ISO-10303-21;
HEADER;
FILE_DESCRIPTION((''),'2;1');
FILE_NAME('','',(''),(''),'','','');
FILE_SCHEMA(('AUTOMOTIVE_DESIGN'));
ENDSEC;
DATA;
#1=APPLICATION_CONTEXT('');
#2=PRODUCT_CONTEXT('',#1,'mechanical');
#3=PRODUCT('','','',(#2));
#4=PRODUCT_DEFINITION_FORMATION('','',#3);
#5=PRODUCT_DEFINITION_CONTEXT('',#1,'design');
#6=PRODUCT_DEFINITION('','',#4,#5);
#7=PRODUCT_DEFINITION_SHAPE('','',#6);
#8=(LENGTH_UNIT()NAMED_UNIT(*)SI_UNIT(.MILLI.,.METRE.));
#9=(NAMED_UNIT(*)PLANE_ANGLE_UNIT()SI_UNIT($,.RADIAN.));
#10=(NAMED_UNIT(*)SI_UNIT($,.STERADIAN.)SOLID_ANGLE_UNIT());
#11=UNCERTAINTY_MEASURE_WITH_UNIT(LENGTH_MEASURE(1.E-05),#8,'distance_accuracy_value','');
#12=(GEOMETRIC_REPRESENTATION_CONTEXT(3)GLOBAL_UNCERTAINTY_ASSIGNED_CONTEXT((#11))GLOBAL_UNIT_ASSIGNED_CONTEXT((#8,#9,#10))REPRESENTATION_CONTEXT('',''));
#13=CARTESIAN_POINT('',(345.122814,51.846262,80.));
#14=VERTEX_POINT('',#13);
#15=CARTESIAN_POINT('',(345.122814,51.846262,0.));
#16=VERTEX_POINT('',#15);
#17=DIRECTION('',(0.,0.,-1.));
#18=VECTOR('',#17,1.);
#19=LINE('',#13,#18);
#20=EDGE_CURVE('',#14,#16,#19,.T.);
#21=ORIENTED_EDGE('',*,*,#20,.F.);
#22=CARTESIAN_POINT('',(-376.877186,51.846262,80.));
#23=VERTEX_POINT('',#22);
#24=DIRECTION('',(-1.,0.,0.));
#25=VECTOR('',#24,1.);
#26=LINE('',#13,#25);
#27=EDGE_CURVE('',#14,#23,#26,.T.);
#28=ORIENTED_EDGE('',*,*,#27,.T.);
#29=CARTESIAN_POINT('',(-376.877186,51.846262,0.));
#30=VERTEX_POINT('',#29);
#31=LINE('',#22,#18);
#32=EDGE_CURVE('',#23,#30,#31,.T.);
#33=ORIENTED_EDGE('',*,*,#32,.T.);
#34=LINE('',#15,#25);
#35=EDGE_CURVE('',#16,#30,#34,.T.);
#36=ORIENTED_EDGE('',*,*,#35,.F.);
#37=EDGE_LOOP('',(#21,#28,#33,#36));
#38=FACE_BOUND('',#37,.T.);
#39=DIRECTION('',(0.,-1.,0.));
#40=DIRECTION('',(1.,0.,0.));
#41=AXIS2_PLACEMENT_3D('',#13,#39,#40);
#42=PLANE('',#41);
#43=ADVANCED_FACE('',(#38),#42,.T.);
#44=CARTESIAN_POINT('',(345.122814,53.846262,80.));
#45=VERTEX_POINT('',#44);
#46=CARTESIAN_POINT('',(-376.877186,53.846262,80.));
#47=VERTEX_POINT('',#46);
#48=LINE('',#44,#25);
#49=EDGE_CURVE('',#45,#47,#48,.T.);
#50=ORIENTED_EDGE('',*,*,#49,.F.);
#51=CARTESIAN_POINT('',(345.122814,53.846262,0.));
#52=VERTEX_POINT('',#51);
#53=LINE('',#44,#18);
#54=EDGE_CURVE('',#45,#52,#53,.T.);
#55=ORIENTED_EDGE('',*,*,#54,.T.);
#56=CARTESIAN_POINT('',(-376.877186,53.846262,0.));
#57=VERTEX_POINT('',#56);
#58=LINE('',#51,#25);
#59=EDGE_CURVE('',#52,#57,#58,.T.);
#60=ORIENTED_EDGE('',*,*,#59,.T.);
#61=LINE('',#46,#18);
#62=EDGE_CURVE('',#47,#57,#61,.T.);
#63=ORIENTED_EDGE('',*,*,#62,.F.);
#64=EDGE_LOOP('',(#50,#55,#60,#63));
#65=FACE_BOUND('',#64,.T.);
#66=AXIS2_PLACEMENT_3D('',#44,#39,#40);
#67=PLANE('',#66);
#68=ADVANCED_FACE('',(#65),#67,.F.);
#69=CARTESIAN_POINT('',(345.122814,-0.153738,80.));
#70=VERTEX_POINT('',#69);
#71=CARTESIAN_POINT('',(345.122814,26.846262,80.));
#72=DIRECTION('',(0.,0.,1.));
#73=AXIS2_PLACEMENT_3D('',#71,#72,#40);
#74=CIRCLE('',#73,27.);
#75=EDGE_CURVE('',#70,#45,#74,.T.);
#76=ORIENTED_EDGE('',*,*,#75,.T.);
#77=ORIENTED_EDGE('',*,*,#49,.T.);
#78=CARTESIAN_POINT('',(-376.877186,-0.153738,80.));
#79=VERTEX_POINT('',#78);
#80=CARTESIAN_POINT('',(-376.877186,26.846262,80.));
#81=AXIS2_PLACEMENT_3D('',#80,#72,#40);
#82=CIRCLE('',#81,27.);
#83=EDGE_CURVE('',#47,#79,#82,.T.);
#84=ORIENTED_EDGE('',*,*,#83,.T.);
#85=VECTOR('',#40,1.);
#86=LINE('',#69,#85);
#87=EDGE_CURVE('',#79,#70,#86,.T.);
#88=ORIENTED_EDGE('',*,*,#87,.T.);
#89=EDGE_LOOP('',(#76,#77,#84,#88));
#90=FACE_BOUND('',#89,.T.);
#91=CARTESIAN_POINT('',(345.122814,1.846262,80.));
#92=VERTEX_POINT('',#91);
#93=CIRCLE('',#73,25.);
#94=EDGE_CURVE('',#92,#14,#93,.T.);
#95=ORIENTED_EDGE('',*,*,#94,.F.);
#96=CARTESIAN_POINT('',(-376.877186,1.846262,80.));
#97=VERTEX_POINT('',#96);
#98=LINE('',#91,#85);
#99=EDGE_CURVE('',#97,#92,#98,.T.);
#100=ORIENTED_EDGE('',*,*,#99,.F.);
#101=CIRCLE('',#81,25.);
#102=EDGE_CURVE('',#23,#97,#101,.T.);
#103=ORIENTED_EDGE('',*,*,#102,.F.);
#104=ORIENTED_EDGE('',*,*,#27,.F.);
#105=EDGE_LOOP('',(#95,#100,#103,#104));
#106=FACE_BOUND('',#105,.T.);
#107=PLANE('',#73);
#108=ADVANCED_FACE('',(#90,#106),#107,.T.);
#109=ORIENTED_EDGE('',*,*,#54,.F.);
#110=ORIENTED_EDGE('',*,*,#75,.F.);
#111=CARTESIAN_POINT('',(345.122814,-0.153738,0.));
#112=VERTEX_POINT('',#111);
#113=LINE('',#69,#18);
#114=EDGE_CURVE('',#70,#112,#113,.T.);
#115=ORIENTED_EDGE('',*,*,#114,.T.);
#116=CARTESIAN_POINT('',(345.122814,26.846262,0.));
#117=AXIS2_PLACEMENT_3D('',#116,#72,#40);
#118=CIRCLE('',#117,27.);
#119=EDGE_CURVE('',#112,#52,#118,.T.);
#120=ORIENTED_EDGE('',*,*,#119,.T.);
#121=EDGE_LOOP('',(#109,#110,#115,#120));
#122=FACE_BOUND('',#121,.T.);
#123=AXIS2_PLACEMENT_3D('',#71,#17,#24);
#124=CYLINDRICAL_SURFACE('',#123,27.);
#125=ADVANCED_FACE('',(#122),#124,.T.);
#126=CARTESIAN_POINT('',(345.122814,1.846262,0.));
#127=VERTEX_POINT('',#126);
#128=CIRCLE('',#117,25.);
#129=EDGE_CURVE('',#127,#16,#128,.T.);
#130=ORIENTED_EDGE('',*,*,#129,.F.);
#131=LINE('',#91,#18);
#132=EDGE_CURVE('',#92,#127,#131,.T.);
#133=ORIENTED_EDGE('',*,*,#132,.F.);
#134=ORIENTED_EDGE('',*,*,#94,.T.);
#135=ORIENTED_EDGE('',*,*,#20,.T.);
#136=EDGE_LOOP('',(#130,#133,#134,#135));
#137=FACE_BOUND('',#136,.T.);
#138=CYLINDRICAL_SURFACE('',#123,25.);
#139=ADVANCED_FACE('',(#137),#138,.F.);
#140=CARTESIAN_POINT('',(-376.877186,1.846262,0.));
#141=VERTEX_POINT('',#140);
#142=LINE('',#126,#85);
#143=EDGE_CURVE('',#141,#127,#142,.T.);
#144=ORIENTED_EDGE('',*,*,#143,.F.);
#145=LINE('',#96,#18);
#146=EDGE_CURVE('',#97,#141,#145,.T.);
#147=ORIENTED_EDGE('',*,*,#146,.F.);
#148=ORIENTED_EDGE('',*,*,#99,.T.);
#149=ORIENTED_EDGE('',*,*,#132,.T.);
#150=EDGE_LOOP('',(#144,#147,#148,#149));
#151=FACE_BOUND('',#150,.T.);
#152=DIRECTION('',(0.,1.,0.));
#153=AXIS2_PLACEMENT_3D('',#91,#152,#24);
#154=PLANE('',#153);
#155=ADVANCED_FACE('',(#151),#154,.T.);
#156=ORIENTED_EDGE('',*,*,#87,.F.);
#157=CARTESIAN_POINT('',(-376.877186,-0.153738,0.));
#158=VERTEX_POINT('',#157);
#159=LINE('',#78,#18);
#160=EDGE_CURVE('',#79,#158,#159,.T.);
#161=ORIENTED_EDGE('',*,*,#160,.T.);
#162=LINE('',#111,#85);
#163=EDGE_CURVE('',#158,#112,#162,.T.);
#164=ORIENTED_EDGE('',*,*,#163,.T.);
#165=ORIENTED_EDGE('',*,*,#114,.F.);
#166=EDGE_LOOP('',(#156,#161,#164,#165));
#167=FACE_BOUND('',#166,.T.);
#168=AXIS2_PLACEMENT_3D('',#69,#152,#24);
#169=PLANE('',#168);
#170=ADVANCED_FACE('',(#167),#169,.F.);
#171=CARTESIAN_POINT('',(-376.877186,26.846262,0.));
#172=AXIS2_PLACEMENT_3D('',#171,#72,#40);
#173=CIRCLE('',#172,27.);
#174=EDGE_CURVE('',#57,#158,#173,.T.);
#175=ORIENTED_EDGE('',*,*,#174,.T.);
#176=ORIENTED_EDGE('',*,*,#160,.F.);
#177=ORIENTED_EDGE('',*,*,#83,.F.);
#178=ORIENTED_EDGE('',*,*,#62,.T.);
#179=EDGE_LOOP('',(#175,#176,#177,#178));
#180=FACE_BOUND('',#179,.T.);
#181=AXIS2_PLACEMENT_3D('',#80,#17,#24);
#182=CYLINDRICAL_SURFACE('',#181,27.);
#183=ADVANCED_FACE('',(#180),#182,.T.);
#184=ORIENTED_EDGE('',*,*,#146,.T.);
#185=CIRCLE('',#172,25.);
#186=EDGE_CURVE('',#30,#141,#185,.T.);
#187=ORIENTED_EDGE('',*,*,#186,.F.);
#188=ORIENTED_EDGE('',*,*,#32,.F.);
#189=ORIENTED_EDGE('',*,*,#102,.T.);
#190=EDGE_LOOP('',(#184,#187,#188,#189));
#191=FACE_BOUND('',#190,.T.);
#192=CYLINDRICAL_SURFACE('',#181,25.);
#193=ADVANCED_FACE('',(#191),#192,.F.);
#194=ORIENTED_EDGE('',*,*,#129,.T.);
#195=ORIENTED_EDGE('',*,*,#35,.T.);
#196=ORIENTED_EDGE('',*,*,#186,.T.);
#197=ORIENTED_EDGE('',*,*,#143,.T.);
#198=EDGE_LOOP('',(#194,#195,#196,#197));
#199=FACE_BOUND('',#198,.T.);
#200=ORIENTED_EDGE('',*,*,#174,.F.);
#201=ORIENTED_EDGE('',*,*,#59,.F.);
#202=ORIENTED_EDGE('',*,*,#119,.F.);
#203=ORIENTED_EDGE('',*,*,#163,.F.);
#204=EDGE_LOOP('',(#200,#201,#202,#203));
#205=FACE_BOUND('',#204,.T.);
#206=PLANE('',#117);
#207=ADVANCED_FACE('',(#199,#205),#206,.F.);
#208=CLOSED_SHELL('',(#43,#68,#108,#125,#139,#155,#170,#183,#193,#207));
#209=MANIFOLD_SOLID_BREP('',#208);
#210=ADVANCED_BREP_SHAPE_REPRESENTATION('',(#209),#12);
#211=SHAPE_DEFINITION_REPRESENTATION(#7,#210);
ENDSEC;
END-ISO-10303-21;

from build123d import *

# Parameters (mm, degrees)
RESSALTO_EXTRUS_O1_DEPTH = 80


with BuildPart() as part:
    # Esboço1 → Ressalto-extrusão1 (new body)
    with BuildSketch(Plane.XY):
        with BuildLine():
            Line((345.122813731, -0.153737706), (-376.877186269, -0.153737706))
            ThreePointArc((-376.877186269, -0.153737706), (-403.877186269, 26.846262294), (-376.877186269, 53.846262294))
            Line((-376.877186269, 53.846262294), (345.122813731, 53.846262294))
            ThreePointArc((345.122813731, 53.846262294), (372.122813731, 26.846262294), (345.122813731, -0.153737706))
        make_face()
        with BuildLine():
            Line((345.122813731, 1.846262294), (-376.877186269, 1.846262294))
            ThreePointArc((-376.877186269, 1.846262294), (-401.877186269, 26.846262294), (-376.877186269, 51.846262294))
            Line((-376.877186269, 51.846262294), (345.122813731, 51.846262294))
            ThreePointArc((345.122813731, 51.846262294), (370.122813731, 26.846262294), (345.122813731, 1.846262294))
        make_face(mode=Mode.SUBTRACT)
    extrude(amount=RESSALTO_EXTRUS_O1_DEPTH)


solid = part.part
